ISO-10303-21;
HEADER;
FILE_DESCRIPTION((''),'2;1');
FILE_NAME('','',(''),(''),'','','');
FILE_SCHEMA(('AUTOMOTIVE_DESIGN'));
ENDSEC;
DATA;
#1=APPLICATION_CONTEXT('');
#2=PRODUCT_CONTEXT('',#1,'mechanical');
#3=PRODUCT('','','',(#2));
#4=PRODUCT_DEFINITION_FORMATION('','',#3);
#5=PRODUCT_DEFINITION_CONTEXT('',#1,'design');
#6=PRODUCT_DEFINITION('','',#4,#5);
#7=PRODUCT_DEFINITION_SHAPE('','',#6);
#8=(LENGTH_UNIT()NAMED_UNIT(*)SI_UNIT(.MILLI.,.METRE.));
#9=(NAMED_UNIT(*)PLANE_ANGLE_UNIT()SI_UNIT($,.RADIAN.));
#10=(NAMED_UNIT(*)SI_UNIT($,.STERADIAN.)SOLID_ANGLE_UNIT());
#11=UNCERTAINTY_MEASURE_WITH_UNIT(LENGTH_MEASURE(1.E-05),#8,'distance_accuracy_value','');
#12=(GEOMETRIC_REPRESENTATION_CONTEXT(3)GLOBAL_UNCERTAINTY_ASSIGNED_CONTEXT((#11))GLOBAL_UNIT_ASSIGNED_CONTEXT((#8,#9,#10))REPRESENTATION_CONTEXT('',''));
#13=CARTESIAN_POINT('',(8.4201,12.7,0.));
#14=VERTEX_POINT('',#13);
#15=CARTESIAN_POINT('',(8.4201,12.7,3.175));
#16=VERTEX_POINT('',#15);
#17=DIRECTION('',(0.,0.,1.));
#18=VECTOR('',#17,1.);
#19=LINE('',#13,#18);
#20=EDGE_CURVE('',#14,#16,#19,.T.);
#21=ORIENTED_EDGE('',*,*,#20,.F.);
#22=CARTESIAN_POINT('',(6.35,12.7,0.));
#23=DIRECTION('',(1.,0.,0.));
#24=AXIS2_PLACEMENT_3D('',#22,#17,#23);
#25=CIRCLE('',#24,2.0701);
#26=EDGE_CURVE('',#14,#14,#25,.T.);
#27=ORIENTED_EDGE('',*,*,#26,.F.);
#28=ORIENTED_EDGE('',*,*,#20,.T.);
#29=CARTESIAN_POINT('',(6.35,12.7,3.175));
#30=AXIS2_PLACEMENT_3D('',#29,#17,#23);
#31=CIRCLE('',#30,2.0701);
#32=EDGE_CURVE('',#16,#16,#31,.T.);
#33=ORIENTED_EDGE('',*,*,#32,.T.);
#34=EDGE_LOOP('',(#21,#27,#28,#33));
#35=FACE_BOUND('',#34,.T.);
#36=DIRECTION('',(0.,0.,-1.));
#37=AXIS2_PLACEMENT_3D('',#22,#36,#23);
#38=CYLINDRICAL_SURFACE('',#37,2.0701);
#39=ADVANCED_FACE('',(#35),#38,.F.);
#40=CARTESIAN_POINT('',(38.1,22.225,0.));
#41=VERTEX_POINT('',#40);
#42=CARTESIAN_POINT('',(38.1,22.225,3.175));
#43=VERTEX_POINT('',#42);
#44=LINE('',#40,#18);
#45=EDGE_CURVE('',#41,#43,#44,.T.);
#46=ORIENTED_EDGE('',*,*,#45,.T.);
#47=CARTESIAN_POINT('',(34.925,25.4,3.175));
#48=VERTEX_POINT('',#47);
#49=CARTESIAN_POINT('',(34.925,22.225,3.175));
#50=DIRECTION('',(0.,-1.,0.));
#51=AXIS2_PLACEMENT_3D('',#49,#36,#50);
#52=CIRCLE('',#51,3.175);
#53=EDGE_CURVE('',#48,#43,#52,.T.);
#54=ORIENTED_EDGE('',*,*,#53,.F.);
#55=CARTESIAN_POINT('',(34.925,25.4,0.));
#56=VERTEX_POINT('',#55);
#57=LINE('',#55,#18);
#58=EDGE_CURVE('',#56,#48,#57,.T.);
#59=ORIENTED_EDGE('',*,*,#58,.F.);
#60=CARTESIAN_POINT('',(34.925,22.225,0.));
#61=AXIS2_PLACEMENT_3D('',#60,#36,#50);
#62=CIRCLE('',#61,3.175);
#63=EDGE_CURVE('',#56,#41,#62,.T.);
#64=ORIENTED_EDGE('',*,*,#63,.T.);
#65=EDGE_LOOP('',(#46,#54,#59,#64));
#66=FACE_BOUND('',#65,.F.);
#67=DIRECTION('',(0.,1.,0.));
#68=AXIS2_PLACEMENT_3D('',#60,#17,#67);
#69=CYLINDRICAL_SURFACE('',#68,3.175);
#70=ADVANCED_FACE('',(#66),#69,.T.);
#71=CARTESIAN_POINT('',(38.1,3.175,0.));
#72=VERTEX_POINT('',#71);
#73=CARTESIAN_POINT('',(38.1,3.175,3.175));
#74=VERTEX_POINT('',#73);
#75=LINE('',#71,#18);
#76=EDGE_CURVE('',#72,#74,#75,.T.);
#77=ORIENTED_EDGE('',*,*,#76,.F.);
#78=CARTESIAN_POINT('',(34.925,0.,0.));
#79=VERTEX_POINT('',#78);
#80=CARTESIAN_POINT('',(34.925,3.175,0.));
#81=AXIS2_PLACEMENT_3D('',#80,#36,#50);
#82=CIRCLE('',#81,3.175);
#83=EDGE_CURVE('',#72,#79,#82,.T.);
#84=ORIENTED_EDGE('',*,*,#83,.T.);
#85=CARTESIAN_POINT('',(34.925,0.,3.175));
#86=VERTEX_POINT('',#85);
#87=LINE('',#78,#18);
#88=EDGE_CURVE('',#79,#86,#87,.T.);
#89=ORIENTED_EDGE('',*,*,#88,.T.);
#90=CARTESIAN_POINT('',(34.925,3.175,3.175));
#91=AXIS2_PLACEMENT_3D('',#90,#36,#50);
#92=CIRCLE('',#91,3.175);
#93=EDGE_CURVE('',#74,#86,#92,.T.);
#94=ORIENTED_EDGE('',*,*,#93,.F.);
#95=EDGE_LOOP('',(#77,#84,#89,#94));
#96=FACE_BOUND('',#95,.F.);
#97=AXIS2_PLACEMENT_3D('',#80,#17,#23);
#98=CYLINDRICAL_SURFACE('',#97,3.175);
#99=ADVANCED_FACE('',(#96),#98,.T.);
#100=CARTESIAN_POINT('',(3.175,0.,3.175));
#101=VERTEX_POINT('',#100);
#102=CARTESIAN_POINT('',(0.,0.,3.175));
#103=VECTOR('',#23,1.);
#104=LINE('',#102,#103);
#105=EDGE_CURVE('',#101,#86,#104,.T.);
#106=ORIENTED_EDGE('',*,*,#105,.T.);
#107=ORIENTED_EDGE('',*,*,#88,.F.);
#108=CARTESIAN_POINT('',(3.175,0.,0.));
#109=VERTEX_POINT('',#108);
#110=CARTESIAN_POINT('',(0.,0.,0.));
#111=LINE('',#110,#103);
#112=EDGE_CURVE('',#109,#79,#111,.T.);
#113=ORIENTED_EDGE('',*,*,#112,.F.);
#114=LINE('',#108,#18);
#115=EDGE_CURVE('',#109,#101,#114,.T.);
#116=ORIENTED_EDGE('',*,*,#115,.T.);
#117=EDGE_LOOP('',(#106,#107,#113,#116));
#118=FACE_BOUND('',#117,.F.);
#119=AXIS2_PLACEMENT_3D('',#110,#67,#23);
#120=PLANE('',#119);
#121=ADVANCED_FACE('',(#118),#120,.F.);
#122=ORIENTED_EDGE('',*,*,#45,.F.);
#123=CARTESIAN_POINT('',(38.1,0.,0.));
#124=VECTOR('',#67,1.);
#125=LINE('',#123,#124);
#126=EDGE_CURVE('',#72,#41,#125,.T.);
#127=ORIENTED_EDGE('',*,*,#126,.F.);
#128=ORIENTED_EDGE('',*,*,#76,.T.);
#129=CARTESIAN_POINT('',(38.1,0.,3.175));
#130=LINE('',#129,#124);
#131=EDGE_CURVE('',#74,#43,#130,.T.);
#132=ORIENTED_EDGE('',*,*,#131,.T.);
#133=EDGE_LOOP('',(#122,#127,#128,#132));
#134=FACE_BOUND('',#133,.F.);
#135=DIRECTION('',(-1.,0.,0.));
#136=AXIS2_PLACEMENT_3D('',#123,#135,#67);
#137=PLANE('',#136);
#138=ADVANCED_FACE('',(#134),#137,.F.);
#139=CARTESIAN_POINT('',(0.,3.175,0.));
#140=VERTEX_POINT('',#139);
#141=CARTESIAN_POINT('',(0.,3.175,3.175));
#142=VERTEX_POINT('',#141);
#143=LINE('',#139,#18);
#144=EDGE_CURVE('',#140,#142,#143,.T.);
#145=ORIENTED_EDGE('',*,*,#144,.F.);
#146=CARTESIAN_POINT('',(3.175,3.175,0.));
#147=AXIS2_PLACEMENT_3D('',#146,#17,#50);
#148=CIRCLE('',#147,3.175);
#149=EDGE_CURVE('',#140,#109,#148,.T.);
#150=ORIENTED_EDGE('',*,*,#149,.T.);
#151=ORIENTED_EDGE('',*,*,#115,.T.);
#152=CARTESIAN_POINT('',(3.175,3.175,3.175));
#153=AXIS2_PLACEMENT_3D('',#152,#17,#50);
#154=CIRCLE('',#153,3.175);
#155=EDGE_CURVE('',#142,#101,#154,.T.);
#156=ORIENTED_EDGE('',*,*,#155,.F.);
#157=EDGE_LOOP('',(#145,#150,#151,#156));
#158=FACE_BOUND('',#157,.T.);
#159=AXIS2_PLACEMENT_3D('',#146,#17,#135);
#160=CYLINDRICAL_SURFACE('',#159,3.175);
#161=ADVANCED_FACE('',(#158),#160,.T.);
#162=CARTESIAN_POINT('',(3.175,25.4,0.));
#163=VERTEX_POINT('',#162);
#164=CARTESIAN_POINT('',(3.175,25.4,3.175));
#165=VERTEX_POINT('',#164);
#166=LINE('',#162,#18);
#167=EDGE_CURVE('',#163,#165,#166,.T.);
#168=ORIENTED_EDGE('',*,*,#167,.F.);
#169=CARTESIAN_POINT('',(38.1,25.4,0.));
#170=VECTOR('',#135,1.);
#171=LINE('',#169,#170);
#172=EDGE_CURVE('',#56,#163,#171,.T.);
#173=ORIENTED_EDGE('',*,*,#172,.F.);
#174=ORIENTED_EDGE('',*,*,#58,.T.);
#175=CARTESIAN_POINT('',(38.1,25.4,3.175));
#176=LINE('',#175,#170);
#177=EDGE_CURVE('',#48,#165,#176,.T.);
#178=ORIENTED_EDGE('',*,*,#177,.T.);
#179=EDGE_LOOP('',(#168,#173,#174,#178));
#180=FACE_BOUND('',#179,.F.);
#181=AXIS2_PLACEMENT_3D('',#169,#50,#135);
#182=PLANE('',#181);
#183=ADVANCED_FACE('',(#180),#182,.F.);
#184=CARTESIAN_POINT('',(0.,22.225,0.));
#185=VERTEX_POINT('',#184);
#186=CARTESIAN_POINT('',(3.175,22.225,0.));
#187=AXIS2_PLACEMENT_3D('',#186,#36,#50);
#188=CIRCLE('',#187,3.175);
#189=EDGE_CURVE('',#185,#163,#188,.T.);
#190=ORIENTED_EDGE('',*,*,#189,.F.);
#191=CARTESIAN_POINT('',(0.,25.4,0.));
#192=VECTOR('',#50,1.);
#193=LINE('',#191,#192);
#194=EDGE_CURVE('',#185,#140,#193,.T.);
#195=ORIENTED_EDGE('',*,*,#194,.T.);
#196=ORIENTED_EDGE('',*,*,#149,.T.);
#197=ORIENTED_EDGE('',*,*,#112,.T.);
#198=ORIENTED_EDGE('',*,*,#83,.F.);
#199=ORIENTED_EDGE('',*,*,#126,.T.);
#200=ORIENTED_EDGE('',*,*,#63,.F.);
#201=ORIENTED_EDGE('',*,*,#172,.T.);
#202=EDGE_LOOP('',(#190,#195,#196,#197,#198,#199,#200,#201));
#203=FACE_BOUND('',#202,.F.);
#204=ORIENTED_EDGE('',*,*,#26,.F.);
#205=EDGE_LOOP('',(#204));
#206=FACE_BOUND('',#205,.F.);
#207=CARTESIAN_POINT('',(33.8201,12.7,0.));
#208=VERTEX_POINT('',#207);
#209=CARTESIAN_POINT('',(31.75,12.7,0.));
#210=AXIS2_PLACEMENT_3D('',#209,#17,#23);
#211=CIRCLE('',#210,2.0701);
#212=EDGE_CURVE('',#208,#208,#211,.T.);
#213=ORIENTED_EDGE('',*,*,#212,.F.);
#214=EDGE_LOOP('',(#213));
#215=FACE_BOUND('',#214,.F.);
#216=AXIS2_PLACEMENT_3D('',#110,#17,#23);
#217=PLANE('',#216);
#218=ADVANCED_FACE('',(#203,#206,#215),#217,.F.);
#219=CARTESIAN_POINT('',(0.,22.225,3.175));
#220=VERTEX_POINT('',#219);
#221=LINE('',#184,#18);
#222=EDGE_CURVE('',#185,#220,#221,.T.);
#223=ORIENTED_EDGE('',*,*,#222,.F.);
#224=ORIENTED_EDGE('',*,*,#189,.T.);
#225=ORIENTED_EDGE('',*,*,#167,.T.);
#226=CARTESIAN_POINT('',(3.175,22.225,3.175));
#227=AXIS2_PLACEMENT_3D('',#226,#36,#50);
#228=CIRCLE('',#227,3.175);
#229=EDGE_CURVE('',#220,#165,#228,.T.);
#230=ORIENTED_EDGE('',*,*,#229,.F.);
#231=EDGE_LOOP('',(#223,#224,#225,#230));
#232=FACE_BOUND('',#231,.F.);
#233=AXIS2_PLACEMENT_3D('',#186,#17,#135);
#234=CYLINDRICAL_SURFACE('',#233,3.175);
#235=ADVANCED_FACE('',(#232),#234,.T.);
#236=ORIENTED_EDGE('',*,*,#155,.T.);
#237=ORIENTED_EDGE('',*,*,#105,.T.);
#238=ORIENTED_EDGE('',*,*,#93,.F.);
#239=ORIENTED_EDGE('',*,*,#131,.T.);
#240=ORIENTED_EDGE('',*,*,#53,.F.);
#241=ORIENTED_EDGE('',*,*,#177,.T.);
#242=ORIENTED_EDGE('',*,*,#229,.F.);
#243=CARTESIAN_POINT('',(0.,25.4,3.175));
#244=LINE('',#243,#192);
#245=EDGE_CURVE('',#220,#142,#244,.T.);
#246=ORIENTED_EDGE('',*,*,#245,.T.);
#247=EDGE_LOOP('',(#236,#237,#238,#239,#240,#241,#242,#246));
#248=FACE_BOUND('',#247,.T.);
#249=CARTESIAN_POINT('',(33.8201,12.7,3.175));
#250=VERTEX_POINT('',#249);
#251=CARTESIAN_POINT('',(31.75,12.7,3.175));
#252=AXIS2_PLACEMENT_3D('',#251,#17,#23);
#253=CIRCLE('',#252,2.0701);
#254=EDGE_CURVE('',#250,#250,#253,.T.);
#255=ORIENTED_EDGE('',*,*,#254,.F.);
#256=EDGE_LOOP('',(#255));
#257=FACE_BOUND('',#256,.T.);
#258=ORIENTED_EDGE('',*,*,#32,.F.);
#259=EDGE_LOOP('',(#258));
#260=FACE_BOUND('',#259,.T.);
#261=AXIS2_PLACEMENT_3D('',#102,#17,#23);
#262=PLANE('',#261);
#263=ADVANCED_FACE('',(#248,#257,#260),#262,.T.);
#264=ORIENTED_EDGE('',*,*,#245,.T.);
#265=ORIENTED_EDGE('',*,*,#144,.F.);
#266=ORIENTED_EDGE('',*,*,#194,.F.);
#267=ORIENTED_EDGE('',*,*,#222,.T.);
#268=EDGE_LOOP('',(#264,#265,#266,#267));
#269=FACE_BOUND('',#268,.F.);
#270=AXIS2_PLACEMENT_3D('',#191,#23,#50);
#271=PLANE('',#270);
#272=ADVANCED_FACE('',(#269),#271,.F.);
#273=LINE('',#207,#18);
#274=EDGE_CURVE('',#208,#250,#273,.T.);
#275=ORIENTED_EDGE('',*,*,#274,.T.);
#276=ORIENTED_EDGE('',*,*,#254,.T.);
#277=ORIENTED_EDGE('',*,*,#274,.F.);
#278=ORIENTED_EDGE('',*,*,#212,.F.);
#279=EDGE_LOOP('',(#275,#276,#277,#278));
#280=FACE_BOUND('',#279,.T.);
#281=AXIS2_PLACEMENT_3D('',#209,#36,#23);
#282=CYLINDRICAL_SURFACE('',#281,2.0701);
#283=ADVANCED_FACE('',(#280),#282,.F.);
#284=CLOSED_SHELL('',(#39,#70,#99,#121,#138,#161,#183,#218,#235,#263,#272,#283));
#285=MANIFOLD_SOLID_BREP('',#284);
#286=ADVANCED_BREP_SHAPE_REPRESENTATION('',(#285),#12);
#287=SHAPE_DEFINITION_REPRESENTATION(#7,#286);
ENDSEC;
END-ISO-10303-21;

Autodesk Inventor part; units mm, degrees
ref_plane "YZ Plane" through (0, 0, 0) normal (1, 0, 0) x (0, 1, 0)
ref_plane "XZ Plane" through (0, 0, 0) normal (0, 1, 0) x (-1, 0, 0)
ref_plane "XY Plane" through (0, 0, 0) normal (0, 0, 1) x (1, 0, 0)
sketch "Sketch1" plane through (0, 0, 0) normal (0, 0, 1) x (1, 0, 0)
  line L0 (0, 0) -> (38.1, 0)
  line L1 (38.1, 0) -> (38.1, 25.4)
  line L2 (38.1, 25.4) -> (0, 25.4)
  line L3 (0, 25.4) -> (0, 0)
  circle A0 centre (6.35, 12.7) radius 2.0701
  circle A1 centre (31.75, 12.7) radius 2.0701
  dimension "d0" = 38.1
  dimension "d1" = 25.4
  dimension "d2" = 4.1402
  dimension "d3" = 6.35
  dimension "d4" = 12.7
  dimension "d24" = 25.4
extrude "Extrusion1" add sketch "Sketch1" along normal blind 3.175
fillet "Fillet1" radius 3.175 4 edges at (38.1, 25.4, 1.5875) (38.1, 0, 1.5875) (0, 25.4, 1.5875) (0, 0, 1.5875)
properties part number "Spacer 2" material "Aluminum 6061"
